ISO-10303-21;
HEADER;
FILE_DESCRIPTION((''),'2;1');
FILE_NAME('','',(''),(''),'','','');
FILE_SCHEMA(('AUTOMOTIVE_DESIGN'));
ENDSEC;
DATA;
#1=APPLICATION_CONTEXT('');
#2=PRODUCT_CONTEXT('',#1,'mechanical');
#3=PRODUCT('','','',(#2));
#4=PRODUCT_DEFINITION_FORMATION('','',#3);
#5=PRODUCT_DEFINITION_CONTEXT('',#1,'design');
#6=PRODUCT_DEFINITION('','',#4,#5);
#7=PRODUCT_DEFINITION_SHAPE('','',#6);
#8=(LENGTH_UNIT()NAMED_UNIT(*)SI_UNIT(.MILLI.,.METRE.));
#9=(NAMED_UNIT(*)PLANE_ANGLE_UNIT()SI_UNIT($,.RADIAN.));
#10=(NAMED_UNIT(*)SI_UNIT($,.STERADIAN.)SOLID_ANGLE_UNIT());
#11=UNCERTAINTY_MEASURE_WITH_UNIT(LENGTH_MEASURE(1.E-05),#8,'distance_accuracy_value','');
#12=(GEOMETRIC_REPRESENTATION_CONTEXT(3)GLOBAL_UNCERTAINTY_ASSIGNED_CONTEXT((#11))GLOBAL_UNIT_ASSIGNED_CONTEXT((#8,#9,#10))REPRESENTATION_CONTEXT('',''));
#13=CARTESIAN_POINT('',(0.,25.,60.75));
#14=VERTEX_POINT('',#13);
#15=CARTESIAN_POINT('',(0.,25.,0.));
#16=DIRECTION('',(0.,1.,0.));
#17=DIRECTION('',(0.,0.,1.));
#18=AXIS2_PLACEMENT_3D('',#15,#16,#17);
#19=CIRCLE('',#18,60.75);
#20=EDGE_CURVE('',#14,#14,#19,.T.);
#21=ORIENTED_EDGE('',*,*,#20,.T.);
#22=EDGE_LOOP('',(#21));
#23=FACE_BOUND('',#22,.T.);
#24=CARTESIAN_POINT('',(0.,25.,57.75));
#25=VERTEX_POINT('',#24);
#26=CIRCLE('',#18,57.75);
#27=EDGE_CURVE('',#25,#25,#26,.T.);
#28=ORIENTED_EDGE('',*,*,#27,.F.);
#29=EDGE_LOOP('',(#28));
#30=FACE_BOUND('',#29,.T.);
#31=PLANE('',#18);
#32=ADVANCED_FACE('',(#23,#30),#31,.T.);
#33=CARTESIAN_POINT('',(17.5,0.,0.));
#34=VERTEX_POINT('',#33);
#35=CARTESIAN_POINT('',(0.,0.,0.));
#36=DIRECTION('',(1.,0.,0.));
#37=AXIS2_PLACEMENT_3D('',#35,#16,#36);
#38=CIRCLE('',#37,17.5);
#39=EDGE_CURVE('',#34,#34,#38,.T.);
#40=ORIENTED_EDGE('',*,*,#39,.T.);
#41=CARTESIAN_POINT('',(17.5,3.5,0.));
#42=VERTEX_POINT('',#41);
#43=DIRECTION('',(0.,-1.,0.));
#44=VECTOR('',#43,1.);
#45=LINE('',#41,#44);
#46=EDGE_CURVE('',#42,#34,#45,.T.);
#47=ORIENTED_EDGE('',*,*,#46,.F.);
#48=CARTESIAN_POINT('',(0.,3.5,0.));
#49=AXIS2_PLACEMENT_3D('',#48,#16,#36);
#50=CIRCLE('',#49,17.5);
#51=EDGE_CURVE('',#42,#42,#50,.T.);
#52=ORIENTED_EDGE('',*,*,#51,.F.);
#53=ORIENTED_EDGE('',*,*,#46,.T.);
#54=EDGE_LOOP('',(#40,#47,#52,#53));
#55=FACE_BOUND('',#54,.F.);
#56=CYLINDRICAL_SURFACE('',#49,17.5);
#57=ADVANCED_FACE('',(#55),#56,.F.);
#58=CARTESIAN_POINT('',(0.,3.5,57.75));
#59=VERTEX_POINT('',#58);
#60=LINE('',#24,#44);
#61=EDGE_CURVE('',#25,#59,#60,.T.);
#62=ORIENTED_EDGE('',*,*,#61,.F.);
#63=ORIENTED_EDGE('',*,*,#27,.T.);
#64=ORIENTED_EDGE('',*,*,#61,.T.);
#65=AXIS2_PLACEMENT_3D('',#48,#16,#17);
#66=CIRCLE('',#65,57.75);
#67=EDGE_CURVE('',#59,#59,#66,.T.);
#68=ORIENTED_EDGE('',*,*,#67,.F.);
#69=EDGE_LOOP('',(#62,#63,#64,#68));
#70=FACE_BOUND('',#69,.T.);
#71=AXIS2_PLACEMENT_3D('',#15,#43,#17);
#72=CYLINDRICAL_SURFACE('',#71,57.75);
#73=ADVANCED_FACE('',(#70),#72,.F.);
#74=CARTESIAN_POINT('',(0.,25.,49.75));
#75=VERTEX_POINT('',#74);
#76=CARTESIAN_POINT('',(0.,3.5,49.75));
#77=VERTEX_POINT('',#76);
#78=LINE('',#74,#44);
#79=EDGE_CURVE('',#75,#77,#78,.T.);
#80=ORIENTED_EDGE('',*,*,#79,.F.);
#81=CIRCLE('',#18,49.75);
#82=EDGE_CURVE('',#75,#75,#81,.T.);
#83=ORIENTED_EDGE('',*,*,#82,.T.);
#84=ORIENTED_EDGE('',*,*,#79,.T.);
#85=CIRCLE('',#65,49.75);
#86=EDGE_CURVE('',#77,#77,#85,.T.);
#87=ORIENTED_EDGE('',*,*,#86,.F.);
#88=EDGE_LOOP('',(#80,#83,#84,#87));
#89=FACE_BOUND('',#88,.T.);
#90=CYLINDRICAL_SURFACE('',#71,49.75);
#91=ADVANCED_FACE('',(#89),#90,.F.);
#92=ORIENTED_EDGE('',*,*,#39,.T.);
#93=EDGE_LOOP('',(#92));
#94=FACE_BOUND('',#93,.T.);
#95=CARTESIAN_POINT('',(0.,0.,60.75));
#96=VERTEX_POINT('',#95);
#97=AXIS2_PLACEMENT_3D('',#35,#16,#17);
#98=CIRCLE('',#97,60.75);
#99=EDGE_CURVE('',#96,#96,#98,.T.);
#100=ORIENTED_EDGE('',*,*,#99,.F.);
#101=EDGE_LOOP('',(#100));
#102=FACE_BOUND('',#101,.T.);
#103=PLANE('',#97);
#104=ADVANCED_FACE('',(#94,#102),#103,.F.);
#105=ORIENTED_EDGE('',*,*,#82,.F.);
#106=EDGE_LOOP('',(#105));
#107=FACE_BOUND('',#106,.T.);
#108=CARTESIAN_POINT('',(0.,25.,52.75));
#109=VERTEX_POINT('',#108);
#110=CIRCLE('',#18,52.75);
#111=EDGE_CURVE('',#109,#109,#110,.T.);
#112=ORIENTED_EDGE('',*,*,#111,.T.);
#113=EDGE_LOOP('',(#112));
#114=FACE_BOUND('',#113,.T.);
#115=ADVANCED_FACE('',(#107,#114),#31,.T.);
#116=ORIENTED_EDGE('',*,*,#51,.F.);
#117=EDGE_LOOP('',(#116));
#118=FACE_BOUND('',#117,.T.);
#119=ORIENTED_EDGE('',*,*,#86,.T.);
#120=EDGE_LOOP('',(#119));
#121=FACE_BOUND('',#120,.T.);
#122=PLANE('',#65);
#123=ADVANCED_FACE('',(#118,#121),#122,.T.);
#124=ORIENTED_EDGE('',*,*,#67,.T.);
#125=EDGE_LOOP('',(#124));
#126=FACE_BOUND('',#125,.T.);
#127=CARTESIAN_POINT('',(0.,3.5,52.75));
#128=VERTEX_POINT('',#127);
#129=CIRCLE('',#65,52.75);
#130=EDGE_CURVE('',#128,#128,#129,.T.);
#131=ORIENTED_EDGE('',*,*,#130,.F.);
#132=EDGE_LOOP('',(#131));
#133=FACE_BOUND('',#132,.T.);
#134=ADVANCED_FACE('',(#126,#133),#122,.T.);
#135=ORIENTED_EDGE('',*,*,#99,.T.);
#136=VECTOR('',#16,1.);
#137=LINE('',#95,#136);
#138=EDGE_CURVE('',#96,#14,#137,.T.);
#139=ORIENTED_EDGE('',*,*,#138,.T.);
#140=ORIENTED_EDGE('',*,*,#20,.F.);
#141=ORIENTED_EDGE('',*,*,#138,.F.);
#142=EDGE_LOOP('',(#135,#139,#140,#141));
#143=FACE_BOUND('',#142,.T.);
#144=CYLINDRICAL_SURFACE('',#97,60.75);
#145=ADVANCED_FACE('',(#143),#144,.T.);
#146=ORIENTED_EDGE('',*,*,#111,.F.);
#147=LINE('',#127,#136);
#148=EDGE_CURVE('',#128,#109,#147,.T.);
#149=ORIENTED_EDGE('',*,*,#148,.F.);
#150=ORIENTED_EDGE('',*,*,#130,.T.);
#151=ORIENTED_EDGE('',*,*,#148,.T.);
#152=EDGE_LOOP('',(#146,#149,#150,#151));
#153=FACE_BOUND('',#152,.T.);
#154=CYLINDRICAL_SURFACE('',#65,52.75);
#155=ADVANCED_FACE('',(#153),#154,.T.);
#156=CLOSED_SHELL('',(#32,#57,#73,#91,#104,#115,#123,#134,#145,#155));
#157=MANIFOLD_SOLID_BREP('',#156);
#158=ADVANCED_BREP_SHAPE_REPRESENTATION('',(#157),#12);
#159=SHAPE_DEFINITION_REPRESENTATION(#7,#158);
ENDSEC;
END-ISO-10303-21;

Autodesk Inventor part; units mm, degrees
ref_plane "YZ Plane" through (0, 0, 0) normal (1, 0, 0) x (0, 1, 0)
ref_plane "XZ Plane" through (0, 0, 0) normal (0, 1, 0) x (-1, 0, 0)
ref_plane "XY Plane" through (0, 0, 0) normal (0, 0, 1) x (1, 0, 0)
sketch "Sketch1" plane through (0, 0, 0) normal (1, 0, 0) x (0, 1, 0)
  line L0 (0, 0) -> (0, 60.75)
  line L1 (0, 60.75) -> (25, 60.75)
  line L2 (25, 60.75) -> (25, 57.75)
  line L3 (25, 57.75) -> (3.5, 57.75)
  line L4 (3.5, 57.75) -> (3.5, 52.75)
  line L5 (3.5, 52.75) -> (25, 52.75)
  line L6 (25, 52.75) -> (25, 49.75)
  line L7 (25, 49.75) -> (3.5, 49.75)
  line L8 (3.5, 49.75) -> (3.5, 0)
  line L9 (3.5, 0) -> (0, 0)
  line L10 (25, 57.75) -> (25, 52.75) construction
  line L11 (3.5, 55.25) -> (25, 55.25) construction
  line L12 (-5, 0) -> (30, 0) projected
  dimension "d1" = 25
  dimension "d2" = 3
  dimension "d4" = 5
  dimension "d7" = 3.5
  dimension "d8" = 55.25
  dimension "d9" = 3.5
revolve "Revolution1" add sketch "Sketch1" angle 360 about axis through (0, -10, 0) along (0, 1, 0)
sketch "Sketch2" plane through (0, 3.5, 0) normal (0, 1, 0) x (1, 0, 0)
  circle A0 centre (0, 0) radius 17.5
  dimension "d11" = 35
extrude "Extrusion1" cut sketch "Sketch2" against normal blind 40
properties part number "Base"
